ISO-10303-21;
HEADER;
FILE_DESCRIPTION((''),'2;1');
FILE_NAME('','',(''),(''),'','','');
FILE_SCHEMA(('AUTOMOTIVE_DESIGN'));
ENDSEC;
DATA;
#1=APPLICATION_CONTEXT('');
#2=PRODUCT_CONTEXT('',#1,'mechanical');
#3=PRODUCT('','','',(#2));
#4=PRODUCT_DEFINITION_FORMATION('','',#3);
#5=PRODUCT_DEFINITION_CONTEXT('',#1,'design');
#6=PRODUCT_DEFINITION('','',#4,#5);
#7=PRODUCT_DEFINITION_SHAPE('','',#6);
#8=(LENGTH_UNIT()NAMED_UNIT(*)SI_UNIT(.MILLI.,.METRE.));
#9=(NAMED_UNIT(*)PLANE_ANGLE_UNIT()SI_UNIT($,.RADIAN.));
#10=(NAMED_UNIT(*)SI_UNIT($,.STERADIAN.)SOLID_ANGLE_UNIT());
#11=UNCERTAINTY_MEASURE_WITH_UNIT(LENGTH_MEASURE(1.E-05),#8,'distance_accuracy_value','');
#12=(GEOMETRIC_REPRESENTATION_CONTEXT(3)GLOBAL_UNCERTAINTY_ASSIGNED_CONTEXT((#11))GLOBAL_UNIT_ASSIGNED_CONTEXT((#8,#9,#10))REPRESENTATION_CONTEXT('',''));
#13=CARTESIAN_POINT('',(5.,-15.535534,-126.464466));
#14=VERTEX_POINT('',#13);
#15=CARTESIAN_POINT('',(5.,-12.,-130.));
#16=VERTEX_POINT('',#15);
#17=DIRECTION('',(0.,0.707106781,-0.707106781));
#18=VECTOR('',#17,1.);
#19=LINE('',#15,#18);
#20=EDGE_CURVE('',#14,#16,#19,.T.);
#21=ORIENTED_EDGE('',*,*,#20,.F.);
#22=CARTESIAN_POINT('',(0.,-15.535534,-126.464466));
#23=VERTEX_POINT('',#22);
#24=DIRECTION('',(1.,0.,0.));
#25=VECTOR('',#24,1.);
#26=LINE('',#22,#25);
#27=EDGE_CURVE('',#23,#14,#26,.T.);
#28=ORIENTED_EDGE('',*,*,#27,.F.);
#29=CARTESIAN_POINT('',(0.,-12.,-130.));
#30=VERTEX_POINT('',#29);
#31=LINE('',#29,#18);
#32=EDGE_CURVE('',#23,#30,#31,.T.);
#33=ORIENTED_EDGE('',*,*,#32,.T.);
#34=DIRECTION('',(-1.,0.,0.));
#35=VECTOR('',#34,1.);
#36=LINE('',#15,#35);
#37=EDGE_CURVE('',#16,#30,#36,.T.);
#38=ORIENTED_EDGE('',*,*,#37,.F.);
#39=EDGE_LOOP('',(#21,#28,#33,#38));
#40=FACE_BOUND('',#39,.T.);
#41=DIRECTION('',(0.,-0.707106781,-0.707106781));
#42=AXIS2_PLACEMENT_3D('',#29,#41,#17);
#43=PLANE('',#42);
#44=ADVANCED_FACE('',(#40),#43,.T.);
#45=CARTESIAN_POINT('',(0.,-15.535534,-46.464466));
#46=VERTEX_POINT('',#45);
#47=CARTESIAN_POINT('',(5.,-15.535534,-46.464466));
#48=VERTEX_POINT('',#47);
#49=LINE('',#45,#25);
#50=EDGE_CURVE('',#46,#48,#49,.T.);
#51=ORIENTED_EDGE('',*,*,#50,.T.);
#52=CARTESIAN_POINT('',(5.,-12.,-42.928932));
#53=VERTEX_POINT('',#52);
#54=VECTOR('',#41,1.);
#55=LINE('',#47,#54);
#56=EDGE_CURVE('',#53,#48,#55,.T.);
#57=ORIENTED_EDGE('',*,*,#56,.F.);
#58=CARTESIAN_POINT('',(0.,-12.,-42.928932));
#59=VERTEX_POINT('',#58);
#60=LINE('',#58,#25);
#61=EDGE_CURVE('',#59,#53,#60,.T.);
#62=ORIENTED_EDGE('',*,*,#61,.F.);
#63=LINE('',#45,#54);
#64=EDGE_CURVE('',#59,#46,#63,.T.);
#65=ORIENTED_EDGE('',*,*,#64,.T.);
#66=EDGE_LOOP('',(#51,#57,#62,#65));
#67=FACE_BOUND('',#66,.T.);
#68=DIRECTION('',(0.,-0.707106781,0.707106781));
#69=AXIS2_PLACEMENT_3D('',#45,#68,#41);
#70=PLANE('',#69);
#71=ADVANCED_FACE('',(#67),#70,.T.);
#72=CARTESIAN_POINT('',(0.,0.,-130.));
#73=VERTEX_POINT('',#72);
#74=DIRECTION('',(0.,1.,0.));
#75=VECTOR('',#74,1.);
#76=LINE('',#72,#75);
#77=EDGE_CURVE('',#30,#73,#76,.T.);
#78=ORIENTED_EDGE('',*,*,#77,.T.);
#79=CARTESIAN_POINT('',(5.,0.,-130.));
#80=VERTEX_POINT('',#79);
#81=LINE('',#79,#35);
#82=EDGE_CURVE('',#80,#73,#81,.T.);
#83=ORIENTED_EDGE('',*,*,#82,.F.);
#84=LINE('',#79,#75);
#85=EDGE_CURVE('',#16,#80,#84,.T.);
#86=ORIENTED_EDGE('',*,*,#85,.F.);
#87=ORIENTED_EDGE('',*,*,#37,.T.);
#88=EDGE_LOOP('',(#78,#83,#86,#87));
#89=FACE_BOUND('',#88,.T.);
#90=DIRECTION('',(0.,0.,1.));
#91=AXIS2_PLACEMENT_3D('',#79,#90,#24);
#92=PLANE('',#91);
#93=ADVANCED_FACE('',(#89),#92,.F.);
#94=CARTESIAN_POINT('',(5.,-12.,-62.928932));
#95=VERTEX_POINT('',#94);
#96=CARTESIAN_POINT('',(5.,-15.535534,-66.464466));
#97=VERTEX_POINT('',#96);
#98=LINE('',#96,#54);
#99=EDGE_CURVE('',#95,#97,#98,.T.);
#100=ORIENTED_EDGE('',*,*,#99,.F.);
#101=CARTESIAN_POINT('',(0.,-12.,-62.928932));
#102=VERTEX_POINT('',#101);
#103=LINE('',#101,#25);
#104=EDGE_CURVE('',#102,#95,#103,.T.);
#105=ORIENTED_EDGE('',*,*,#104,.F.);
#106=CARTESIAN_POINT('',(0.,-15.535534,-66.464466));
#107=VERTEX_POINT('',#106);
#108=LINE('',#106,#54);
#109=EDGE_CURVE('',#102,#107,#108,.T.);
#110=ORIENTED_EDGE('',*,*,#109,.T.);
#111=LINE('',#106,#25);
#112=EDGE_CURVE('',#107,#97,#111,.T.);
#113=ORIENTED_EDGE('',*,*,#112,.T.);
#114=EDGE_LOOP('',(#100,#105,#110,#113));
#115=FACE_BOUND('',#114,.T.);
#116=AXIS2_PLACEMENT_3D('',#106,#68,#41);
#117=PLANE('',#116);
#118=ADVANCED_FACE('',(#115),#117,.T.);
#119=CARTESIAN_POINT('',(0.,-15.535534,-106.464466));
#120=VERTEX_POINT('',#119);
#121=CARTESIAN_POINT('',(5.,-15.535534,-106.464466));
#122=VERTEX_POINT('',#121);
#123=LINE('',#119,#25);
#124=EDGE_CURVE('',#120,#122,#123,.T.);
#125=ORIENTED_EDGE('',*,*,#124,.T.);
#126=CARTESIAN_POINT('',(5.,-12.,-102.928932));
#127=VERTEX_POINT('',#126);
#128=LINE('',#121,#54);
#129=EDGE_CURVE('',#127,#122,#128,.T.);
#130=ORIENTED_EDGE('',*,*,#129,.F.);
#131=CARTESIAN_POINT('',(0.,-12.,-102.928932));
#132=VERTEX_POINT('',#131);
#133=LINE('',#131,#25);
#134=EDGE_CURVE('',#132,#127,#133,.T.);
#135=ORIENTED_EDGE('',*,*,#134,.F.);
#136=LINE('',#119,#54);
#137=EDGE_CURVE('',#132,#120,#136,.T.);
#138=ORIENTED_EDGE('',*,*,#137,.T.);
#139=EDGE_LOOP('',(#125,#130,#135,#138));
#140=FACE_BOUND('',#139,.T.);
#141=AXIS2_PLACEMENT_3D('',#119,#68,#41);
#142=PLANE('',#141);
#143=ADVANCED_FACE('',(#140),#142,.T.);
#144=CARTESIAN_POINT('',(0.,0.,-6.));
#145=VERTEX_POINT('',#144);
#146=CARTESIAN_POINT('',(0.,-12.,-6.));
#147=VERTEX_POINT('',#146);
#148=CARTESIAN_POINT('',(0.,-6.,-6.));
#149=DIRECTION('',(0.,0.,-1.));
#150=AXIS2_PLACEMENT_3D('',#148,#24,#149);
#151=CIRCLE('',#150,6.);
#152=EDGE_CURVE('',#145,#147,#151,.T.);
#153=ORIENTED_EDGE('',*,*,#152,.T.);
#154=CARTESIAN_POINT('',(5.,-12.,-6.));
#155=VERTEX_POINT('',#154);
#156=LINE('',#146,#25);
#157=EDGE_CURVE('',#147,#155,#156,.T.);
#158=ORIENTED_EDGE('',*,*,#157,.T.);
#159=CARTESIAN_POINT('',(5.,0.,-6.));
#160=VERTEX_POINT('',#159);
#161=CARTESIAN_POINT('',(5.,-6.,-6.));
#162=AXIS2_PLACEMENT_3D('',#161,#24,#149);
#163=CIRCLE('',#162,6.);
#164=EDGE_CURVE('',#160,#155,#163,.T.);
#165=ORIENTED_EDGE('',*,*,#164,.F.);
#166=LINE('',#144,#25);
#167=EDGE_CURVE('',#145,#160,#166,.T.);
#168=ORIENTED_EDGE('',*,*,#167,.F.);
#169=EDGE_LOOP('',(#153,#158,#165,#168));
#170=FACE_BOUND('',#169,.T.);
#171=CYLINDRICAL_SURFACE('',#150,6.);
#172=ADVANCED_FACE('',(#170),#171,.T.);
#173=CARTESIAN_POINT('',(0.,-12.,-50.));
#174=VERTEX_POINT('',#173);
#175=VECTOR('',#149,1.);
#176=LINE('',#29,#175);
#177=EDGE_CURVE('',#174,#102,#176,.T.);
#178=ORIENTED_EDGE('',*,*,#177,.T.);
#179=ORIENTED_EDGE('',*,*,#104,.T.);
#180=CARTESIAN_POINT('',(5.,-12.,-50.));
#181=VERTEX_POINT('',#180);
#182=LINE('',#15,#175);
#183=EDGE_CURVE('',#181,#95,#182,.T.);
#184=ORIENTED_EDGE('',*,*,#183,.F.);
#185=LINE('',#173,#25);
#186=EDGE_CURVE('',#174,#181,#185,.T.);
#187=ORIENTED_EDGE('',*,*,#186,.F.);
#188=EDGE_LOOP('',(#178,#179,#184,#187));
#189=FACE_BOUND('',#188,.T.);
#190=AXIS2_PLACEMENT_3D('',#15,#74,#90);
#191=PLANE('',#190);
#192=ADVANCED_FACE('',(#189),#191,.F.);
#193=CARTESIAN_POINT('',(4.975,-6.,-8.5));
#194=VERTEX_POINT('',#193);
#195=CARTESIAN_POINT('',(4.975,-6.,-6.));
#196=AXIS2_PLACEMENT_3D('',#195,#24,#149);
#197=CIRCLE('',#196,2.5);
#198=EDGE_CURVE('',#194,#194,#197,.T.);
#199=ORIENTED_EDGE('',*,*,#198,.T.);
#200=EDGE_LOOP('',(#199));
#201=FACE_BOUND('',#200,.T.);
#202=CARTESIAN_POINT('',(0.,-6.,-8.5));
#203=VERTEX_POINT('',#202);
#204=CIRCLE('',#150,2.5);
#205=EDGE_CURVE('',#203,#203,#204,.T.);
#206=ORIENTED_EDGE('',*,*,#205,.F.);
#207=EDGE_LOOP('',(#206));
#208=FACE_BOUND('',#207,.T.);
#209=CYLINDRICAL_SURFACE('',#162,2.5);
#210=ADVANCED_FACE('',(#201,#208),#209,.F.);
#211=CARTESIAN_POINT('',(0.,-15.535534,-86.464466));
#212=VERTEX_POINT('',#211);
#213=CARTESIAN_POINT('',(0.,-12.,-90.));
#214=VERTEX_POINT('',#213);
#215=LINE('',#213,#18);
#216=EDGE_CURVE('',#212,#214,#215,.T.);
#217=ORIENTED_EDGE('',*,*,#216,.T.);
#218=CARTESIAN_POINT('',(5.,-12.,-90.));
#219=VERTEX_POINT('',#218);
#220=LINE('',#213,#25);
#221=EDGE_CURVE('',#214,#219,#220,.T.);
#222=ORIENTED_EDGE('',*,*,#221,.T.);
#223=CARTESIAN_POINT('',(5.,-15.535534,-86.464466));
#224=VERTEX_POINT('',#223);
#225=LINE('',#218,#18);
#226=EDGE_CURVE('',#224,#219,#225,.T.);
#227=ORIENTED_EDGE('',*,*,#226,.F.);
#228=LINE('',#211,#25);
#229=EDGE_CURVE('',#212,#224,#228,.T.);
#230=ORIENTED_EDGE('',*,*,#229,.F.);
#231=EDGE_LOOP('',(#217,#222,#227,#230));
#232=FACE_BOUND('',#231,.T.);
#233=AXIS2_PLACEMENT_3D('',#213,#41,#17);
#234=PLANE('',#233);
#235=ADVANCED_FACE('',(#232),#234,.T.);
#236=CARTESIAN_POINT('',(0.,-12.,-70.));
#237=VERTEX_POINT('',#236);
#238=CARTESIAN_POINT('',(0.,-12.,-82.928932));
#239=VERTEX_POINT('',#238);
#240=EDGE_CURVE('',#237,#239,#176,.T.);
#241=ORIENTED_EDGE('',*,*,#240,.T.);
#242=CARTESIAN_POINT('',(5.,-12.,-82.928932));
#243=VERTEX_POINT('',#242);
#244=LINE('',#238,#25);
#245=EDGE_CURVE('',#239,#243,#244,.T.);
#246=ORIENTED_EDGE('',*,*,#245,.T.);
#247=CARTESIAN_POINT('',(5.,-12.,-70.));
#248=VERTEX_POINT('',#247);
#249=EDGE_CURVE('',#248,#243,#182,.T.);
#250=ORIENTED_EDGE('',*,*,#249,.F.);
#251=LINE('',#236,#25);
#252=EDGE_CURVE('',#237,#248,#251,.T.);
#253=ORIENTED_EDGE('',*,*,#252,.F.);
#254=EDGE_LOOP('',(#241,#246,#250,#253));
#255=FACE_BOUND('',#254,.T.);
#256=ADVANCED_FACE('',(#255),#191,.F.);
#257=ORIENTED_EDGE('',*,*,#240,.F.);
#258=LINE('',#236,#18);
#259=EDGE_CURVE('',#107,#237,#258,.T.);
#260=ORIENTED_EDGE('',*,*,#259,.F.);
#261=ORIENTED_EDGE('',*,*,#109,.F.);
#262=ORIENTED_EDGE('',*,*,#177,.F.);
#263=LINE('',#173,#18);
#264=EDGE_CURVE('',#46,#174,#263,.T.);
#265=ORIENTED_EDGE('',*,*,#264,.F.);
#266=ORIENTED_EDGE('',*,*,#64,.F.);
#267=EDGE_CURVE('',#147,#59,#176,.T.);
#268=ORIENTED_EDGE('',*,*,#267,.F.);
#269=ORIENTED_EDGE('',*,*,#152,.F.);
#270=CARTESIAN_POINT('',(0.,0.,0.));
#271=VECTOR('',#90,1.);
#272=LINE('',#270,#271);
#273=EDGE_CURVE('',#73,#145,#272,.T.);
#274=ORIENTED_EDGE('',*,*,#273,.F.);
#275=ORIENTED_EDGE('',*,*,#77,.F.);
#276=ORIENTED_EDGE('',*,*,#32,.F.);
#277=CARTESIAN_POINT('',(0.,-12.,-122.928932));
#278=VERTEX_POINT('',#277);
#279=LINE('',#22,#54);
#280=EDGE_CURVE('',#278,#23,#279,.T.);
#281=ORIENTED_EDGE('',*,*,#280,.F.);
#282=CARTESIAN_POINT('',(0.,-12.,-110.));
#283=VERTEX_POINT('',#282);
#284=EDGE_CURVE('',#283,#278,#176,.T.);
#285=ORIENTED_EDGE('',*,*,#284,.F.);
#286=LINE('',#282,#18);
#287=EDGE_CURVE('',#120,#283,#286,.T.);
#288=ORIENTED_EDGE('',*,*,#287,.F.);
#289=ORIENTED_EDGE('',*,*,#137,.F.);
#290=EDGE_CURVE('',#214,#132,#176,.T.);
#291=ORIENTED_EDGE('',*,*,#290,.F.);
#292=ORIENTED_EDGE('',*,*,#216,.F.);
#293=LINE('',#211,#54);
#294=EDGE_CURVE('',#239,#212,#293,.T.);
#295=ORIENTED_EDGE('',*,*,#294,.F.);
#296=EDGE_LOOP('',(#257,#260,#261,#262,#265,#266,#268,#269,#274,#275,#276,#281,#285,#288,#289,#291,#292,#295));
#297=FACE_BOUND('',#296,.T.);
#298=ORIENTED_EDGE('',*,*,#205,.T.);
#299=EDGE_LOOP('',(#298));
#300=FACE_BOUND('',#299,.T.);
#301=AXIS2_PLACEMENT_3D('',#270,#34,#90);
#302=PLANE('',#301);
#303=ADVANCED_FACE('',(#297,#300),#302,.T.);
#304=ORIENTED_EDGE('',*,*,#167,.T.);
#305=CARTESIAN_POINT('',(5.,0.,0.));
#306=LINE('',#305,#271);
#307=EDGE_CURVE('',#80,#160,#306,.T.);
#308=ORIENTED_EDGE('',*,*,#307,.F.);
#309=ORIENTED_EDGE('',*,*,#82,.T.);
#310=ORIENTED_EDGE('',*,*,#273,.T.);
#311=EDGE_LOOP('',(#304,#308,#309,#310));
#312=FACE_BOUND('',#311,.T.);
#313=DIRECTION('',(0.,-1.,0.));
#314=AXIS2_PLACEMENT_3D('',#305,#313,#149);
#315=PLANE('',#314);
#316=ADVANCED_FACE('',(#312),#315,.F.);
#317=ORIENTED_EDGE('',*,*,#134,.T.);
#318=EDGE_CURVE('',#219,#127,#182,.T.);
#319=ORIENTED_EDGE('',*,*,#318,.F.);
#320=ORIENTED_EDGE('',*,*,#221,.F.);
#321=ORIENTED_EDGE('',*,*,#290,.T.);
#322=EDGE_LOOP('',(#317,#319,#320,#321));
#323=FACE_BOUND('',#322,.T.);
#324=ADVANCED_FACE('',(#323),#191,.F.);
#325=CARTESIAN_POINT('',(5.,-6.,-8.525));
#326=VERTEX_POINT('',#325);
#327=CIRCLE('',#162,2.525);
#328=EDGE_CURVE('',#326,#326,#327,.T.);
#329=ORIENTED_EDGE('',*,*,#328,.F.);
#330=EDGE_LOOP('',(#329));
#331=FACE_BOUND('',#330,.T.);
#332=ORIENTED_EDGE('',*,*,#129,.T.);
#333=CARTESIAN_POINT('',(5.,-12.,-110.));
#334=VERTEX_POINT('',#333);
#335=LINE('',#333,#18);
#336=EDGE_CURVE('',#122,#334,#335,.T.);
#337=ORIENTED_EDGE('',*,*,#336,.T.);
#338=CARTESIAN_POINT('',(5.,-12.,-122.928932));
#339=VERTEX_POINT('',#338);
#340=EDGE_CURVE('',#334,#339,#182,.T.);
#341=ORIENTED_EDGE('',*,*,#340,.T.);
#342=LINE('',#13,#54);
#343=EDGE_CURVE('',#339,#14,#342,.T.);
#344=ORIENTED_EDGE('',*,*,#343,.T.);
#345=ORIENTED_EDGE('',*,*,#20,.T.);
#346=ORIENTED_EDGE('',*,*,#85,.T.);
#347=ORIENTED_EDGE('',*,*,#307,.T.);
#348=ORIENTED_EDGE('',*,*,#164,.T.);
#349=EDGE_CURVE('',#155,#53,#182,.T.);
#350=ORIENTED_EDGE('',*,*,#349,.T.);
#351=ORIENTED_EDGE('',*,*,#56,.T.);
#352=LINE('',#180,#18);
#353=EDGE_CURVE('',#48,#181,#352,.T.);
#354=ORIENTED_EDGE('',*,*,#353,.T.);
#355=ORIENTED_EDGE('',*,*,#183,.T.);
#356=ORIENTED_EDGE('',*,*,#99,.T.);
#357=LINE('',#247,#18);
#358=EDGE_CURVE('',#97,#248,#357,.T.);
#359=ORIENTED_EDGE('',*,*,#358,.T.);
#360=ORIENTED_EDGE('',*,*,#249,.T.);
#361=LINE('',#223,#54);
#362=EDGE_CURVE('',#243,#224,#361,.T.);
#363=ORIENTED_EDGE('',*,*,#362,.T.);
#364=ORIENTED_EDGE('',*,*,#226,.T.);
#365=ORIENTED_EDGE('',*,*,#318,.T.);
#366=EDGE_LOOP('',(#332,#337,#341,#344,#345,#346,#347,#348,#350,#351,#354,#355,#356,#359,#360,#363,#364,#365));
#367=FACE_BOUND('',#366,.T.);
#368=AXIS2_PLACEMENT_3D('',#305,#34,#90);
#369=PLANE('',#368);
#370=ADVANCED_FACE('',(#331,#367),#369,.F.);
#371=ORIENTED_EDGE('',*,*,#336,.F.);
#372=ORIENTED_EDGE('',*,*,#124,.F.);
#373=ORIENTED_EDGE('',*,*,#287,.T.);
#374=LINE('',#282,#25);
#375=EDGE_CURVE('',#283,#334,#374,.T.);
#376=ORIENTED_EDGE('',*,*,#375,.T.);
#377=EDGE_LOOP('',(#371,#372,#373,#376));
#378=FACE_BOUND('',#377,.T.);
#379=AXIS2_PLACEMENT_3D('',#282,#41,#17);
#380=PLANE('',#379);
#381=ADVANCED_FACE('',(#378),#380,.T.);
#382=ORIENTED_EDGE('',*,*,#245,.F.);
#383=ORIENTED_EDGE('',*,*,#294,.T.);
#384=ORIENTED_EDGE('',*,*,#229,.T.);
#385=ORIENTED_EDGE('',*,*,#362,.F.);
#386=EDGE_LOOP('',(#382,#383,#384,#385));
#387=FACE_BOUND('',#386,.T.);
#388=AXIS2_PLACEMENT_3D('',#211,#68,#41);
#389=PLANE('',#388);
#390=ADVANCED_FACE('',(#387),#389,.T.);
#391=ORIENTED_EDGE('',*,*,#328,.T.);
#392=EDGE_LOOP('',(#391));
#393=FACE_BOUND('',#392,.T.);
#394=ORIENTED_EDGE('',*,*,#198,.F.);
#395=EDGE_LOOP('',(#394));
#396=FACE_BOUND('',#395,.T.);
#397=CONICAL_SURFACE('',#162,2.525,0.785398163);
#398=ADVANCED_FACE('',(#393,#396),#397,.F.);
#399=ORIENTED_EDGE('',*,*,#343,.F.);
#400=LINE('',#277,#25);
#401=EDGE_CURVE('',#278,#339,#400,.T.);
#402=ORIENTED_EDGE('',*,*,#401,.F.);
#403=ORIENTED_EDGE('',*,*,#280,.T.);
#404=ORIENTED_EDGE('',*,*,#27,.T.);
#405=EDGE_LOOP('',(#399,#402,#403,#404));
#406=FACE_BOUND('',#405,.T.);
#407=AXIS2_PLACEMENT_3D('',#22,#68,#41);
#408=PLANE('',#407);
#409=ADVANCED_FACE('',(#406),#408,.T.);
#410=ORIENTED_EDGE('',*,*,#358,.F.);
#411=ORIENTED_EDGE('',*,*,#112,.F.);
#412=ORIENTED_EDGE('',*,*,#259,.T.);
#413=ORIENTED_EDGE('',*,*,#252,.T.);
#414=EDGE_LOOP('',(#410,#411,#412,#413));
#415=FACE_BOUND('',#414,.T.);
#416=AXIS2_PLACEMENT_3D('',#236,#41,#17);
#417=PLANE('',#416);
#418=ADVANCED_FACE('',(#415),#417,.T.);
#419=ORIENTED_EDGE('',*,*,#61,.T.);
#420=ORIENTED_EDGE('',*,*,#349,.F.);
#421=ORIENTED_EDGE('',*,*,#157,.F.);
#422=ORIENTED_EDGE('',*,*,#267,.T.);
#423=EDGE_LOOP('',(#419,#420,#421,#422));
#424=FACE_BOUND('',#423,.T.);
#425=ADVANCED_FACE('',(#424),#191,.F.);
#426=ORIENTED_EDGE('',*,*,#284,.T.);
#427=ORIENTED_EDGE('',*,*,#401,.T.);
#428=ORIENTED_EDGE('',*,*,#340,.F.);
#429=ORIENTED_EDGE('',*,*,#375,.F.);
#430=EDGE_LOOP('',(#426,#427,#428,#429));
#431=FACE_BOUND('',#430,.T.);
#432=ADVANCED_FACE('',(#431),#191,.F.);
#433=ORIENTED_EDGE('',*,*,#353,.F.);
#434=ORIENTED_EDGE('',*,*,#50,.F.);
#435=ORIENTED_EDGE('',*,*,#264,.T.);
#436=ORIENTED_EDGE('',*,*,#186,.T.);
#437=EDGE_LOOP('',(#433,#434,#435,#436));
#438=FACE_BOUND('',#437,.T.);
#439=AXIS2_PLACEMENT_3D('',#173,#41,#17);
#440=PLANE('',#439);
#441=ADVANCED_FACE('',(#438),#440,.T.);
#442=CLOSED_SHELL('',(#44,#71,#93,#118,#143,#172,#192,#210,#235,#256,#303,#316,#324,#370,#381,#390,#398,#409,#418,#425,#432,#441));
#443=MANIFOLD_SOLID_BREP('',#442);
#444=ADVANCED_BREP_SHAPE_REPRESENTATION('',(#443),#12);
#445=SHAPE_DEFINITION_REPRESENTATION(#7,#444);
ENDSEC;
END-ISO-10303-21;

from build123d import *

# Parameters (mm, degrees)
SKETCH1_W                       = 130
SKETCH1_H                       = 12
BOSS_EXTRUDE1_DEPTH             = 5
BOSS_EXTRUDE2_DEPTH             = 5
CUT_EXTRUDE1_DEPTH              = 132.020428994
F_5_0MM_DOWEL_HOLE1_D           = 5
F_5_0MM_DOWEL_HOLE1_CSINK_D     = 5.05
F_5_0MM_DOWEL_HOLE1_CSINK_ANGLE = 90


with BuildPart() as part:
    # Sketch1 → Boss-Extrude1 (new body)
    with BuildSketch(Plane(origin=(0, 0, 0), x_dir=(0, 0, -1), z_dir=(1, 0, 0))):
        with Locations((65, -6)):
            Rectangle(SKETCH1_W, SKETCH1_H)
    extrude(amount=BOSS_EXTRUDE1_DEPTH)

    # Sketch2 → Boss-Extrude2 (add)
    with BuildSketch(Plane(origin=(5, 0, 0), x_dir=(0, 0, -1), z_dir=(1, 0, 0))):
        Polygon((130, -12), (126.464466094, -15.535533906), (122.928932188, -12), align=None)
        Polygon((106.464466094, -15.535533906), (102.928932188, -12), (110, -12), align=None)
        Polygon((86.464466094, -15.535533906), (82.928932188, -12), (90, -12), align=None)
        Polygon((66.464466094, -15.535533906), (62.928932188, -12), (70, -12), align=None)
        Polygon((46.464466094, -15.535533906), (42.928932188, -12), (50, -12), align=None)
    extrude(amount=-BOSS_EXTRUDE2_DEPTH)

    # Sketch5 → Cut-Extrude1 (cut, through all)
    with BuildSketch(Plane(origin=(5, 0, 0), x_dir=(0, 0, -1), z_dir=(1, 0, 0))):
        with BuildLine():
            ThreePointArc((0, -6), (1.757359313, -1.757359313), (6, 0))
            Line((6, 0), (0, 0))
            Line((0, 0), (0, -6))
        make_face()
        with BuildLine():
            ThreePointArc((6, -12), (1.757359313, -10.242640687), (0, -6))
            Line((0, -6), (0, -12))
            Line((0, -12), (6, -12))
        make_face()
    extrude(amount=-CUT_EXTRUDE1_DEPTH, mode=Mode.SUBTRACT)

    # Ø5.0mm Dowel Hole1 (through all)
    with Locations(Plane(origin=(5, 0, 0), x_dir=(0, 0, -1), z_dir=(1, 0, 0))):
        with Locations((6, -6)):
            CounterSinkHole(F_5_0MM_DOWEL_HOLE1_D / 2, F_5_0MM_DOWEL_HOLE1_CSINK_D / 2, counter_sink_angle=F_5_0MM_DOWEL_HOLE1_CSINK_ANGLE)


solid = part.part
